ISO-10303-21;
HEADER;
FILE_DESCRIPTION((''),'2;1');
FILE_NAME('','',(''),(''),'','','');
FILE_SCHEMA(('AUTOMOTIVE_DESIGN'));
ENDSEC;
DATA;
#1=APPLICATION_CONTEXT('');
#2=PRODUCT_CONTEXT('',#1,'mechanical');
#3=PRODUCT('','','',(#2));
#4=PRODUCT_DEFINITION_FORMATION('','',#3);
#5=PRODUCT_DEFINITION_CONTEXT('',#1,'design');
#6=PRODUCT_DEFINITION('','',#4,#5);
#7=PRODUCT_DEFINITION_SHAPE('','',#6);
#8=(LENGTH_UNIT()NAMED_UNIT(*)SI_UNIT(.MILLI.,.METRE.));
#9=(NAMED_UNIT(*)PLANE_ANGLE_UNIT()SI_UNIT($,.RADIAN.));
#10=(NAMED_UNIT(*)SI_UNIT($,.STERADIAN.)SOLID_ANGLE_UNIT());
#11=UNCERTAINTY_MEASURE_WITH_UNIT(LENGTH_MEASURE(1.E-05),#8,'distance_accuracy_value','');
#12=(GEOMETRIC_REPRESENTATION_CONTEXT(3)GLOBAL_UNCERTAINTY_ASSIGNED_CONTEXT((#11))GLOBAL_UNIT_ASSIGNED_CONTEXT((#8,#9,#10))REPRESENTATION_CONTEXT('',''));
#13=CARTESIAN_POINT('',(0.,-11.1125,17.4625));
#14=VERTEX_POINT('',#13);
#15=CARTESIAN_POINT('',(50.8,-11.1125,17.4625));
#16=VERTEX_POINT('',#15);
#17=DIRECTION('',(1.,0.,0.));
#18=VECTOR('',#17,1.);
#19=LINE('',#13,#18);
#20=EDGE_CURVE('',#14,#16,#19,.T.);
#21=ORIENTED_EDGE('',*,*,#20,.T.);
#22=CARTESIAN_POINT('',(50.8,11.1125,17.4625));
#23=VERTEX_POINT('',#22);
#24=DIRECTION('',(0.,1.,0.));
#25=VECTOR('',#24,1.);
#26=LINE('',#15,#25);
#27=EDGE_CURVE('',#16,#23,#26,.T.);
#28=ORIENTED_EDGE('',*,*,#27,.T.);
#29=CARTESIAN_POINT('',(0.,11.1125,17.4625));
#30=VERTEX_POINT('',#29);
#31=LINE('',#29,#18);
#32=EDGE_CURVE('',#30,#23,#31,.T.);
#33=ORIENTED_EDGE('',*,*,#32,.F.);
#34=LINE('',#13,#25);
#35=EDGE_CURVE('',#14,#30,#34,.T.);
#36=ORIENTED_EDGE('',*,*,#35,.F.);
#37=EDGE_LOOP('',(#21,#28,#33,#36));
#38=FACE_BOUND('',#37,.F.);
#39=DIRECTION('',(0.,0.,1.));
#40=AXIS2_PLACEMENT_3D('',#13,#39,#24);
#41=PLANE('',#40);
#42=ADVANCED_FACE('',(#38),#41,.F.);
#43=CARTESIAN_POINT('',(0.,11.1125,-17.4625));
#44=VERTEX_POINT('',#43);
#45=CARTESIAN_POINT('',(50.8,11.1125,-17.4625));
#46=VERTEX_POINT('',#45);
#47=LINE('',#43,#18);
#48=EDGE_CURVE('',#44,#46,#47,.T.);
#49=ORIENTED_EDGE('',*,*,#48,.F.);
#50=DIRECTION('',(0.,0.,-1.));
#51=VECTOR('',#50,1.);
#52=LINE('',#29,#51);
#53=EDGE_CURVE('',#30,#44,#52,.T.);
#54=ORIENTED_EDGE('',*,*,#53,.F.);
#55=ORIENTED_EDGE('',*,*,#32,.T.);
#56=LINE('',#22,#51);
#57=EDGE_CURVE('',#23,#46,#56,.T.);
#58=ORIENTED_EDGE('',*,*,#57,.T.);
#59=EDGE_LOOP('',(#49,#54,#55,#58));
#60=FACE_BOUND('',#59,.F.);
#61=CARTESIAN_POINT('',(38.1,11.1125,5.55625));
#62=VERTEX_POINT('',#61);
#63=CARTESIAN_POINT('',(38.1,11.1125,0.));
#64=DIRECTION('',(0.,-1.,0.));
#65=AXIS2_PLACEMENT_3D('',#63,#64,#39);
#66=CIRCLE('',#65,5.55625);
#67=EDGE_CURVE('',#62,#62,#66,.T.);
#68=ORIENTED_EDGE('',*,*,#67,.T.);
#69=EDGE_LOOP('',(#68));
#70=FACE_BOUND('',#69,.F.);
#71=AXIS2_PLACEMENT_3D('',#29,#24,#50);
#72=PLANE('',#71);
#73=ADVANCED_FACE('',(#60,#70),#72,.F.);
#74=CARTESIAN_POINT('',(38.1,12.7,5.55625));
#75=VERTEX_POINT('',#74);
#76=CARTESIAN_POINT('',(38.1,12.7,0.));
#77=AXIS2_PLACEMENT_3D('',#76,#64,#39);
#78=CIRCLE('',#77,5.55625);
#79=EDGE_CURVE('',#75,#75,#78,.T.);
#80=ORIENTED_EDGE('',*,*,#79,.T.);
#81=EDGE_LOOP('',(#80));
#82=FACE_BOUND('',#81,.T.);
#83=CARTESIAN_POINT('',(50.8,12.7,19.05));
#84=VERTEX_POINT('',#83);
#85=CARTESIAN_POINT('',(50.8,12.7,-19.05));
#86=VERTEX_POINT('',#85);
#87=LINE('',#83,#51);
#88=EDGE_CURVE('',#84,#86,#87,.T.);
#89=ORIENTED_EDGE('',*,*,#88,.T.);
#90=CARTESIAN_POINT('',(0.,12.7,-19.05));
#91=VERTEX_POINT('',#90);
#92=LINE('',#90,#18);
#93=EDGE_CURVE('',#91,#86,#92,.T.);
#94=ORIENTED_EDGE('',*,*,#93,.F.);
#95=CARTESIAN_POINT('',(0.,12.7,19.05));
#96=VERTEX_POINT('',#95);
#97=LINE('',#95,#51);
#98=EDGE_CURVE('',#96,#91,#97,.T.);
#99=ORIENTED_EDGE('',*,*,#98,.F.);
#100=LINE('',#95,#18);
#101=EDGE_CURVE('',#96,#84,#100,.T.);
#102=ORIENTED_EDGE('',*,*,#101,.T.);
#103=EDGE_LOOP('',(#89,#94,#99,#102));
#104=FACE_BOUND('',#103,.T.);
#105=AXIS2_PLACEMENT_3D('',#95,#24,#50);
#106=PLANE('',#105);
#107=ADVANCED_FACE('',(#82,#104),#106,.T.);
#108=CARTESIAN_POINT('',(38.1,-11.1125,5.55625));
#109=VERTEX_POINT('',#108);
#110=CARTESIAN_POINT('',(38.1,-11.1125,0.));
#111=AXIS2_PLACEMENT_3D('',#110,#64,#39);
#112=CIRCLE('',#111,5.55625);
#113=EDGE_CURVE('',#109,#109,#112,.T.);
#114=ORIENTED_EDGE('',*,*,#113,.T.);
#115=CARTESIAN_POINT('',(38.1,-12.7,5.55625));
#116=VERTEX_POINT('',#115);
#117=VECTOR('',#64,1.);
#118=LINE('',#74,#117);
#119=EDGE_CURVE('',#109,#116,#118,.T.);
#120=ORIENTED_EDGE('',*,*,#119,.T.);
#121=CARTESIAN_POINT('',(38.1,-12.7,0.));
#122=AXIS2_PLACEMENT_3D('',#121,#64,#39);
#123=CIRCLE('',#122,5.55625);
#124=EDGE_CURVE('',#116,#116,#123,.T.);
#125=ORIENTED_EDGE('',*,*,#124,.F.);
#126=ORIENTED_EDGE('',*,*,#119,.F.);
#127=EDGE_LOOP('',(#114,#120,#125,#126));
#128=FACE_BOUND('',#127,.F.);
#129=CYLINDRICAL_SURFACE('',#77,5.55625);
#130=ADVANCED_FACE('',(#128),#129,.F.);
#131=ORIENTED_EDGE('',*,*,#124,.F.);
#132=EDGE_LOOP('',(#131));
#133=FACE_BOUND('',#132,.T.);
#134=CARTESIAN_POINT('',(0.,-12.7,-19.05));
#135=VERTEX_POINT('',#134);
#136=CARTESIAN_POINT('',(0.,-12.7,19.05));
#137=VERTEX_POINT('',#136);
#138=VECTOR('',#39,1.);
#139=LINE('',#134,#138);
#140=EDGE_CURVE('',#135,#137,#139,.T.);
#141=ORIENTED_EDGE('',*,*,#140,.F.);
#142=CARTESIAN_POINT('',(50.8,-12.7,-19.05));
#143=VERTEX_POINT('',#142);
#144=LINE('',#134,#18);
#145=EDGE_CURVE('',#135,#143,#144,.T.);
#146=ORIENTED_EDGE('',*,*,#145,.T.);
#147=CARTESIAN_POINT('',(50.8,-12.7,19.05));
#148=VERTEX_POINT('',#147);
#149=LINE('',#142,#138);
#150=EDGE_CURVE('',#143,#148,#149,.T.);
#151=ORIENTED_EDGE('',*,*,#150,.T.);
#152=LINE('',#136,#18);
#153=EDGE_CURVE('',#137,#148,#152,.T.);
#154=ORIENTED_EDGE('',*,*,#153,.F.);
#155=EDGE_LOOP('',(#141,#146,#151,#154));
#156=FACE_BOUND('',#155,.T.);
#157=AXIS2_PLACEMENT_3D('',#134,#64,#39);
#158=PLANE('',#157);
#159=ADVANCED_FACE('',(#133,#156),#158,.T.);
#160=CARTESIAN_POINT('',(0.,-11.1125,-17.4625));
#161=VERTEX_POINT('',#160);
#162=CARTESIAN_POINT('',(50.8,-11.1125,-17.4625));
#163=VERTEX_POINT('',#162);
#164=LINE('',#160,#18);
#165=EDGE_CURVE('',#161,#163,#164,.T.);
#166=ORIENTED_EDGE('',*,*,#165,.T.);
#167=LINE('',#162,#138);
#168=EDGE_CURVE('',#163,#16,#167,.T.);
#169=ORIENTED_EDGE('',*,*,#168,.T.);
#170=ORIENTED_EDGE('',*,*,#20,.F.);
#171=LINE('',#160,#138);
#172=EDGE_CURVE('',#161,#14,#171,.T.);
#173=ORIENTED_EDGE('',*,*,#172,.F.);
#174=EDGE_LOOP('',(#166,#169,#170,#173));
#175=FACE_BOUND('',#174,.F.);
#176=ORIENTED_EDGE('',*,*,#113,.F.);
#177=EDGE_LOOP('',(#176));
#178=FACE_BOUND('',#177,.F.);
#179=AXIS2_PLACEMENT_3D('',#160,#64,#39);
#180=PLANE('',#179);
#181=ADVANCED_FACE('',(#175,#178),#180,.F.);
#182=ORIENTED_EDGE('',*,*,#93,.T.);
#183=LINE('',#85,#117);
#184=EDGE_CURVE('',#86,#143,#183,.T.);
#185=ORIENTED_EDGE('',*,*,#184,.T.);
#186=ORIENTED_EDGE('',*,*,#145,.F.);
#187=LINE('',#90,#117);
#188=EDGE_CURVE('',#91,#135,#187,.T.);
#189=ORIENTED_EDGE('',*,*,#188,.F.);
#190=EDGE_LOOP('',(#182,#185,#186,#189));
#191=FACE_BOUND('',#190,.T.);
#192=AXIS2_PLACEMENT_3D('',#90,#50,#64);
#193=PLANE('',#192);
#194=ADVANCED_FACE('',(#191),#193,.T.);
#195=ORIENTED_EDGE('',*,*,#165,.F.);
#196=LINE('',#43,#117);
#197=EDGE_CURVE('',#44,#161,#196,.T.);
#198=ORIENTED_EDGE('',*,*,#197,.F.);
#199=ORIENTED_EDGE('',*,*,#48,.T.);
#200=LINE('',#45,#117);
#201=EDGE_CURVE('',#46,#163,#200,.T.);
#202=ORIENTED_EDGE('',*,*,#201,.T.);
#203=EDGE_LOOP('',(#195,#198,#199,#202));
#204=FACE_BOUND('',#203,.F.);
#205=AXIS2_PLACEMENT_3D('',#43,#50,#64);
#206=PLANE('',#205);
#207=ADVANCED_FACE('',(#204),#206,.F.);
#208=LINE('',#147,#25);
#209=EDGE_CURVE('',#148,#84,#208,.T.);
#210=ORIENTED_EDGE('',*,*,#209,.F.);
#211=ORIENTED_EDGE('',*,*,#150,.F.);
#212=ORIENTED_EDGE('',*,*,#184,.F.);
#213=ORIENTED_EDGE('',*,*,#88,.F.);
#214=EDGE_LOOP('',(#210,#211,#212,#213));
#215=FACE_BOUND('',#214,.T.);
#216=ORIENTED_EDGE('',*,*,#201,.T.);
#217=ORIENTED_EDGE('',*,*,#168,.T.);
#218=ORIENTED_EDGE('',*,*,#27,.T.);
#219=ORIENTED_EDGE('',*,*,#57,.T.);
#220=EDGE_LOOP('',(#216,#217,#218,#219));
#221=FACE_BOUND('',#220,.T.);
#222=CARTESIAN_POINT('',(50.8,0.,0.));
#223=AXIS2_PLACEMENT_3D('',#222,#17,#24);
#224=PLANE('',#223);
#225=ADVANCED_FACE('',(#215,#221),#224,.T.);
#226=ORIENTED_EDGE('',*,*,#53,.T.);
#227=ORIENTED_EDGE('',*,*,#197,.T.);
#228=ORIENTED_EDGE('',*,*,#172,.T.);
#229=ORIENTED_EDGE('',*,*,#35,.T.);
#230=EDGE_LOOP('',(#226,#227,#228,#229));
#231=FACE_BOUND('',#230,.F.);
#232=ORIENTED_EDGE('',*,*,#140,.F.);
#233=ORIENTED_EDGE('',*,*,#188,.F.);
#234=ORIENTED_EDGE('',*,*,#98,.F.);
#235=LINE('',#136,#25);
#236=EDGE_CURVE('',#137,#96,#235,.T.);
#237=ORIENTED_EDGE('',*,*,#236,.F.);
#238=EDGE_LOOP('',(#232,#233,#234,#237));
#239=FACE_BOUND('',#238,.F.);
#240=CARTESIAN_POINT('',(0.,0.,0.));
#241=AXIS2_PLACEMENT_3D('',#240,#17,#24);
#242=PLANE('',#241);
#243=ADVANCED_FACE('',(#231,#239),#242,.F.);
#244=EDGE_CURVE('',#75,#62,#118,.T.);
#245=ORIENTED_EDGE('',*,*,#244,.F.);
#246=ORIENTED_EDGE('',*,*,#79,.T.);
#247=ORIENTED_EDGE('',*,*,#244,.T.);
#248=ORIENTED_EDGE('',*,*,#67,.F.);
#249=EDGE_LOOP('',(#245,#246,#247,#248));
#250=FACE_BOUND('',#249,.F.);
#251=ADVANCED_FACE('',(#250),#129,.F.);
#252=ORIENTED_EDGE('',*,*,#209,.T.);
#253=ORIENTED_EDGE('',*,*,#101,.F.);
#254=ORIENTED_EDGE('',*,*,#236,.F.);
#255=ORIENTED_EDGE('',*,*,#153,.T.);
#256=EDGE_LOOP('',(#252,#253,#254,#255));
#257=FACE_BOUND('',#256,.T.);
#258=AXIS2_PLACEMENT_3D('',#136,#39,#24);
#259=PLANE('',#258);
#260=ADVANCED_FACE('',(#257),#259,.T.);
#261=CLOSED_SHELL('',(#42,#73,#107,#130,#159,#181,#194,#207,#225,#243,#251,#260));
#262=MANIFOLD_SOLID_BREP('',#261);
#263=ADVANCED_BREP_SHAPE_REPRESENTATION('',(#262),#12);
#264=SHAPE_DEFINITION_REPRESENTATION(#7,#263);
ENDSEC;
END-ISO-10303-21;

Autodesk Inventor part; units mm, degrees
ref_plane "Work Plane3" through (0, 12.7, 0) normal (0, 1, 0) x (-1, 0, 0)
ref_plane "Start Plane" through (0, 0, 0) normal (1, 0, 0) x (0, 1, 0)
ref_plane "End Plane" through (50.8, 0, 0) normal (1, 0, 0) x (0, 1, 0)
sketch "Sketch" plane through (0, 0, 0) normal (1, 0, 0) x (0, 1, 0)
  line L0 (-12.7, 19.05) -> (12.7, 19.05)
  line L1 (12.7, 19.05) -> (12.7, -19.05)
  line L2 (12.7, -19.05) -> (-12.7, -19.05)
  line L3 (-12.7, -19.05) -> (-12.7, 19.05)
  line L4 (-12.7, 19.05) -> (12.7, -19.05) construction
  line L5 (12.7, 19.05) -> (-12.7, -19.05) construction
  line L6 (-11.1125, 17.4625) -> (11.1125, 17.4625)
  line L7 (11.1125, 17.4625) -> (11.1125, -17.4625)
  line L8 (11.1125, -17.4625) -> (-11.1125, -17.4625)
  line L9 (-11.1125, -17.4625) -> (-11.1125, 17.4625)
  line L10 (-11.1125, 17.4625) -> (11.1125, -17.4625) construction
  line L11 (11.1125, 17.4625) -> (-11.1125, -17.4625) construction
  point P0 (0, 0)
  dimension "d0" = 38.1
  dimension "d1" = 25.4
  dimension "d2" = 1.5875
  dimension "d3" = 1.5875
extrude "Body" add sketch "Sketch" along normal up to surface (50.8 mm away) from surface at 0
sketch "Sketch8" plane through (0, 0, 0) normal (1, 0, 0) x (0, 1, 0)
  line L0 (0, 0) -> (10, 0)
ref_plane "Work Plane6" through (0, 0, 0) normal (0, 0, -1) x (0, 1, 0)
sketch "Sketch9" plane through (0, 0, 0) normal (0, 0, -1) x (0, 1, 0)
  line L0 (-17.78, 0) -> (17.78, 0)
  line L1 (-17.78, 50.8) -> (17.78, 50.8)
  dimension "d21" = 50.8
sketch "Sketch5" plane through (0, 12.7, -19.05) normal (0, 1, 0) x (1, 0, 0)
  line L0 (0, -38.1) -> (0, 0) projected
  point P0 (0, -19.05)
  point P1 (38.1, -19.05)
  dimension "d22" = 38.1
hole "Hole2" at (38.1, 12.7, 0) direction (0, -1, 0) diameter 11.1125 end through all
equation "\"d3\" = d2"
equation "\"G_OFFSET_START\" = 0"
equation "\"G_OFFSET_END\" = 0"
equation "\"d17\" = d4 + G_OFFSET_END"
equation "\"G_L\" = d21"
equation "\"d4\" = 50.8"
properties part number "1606067213114"
